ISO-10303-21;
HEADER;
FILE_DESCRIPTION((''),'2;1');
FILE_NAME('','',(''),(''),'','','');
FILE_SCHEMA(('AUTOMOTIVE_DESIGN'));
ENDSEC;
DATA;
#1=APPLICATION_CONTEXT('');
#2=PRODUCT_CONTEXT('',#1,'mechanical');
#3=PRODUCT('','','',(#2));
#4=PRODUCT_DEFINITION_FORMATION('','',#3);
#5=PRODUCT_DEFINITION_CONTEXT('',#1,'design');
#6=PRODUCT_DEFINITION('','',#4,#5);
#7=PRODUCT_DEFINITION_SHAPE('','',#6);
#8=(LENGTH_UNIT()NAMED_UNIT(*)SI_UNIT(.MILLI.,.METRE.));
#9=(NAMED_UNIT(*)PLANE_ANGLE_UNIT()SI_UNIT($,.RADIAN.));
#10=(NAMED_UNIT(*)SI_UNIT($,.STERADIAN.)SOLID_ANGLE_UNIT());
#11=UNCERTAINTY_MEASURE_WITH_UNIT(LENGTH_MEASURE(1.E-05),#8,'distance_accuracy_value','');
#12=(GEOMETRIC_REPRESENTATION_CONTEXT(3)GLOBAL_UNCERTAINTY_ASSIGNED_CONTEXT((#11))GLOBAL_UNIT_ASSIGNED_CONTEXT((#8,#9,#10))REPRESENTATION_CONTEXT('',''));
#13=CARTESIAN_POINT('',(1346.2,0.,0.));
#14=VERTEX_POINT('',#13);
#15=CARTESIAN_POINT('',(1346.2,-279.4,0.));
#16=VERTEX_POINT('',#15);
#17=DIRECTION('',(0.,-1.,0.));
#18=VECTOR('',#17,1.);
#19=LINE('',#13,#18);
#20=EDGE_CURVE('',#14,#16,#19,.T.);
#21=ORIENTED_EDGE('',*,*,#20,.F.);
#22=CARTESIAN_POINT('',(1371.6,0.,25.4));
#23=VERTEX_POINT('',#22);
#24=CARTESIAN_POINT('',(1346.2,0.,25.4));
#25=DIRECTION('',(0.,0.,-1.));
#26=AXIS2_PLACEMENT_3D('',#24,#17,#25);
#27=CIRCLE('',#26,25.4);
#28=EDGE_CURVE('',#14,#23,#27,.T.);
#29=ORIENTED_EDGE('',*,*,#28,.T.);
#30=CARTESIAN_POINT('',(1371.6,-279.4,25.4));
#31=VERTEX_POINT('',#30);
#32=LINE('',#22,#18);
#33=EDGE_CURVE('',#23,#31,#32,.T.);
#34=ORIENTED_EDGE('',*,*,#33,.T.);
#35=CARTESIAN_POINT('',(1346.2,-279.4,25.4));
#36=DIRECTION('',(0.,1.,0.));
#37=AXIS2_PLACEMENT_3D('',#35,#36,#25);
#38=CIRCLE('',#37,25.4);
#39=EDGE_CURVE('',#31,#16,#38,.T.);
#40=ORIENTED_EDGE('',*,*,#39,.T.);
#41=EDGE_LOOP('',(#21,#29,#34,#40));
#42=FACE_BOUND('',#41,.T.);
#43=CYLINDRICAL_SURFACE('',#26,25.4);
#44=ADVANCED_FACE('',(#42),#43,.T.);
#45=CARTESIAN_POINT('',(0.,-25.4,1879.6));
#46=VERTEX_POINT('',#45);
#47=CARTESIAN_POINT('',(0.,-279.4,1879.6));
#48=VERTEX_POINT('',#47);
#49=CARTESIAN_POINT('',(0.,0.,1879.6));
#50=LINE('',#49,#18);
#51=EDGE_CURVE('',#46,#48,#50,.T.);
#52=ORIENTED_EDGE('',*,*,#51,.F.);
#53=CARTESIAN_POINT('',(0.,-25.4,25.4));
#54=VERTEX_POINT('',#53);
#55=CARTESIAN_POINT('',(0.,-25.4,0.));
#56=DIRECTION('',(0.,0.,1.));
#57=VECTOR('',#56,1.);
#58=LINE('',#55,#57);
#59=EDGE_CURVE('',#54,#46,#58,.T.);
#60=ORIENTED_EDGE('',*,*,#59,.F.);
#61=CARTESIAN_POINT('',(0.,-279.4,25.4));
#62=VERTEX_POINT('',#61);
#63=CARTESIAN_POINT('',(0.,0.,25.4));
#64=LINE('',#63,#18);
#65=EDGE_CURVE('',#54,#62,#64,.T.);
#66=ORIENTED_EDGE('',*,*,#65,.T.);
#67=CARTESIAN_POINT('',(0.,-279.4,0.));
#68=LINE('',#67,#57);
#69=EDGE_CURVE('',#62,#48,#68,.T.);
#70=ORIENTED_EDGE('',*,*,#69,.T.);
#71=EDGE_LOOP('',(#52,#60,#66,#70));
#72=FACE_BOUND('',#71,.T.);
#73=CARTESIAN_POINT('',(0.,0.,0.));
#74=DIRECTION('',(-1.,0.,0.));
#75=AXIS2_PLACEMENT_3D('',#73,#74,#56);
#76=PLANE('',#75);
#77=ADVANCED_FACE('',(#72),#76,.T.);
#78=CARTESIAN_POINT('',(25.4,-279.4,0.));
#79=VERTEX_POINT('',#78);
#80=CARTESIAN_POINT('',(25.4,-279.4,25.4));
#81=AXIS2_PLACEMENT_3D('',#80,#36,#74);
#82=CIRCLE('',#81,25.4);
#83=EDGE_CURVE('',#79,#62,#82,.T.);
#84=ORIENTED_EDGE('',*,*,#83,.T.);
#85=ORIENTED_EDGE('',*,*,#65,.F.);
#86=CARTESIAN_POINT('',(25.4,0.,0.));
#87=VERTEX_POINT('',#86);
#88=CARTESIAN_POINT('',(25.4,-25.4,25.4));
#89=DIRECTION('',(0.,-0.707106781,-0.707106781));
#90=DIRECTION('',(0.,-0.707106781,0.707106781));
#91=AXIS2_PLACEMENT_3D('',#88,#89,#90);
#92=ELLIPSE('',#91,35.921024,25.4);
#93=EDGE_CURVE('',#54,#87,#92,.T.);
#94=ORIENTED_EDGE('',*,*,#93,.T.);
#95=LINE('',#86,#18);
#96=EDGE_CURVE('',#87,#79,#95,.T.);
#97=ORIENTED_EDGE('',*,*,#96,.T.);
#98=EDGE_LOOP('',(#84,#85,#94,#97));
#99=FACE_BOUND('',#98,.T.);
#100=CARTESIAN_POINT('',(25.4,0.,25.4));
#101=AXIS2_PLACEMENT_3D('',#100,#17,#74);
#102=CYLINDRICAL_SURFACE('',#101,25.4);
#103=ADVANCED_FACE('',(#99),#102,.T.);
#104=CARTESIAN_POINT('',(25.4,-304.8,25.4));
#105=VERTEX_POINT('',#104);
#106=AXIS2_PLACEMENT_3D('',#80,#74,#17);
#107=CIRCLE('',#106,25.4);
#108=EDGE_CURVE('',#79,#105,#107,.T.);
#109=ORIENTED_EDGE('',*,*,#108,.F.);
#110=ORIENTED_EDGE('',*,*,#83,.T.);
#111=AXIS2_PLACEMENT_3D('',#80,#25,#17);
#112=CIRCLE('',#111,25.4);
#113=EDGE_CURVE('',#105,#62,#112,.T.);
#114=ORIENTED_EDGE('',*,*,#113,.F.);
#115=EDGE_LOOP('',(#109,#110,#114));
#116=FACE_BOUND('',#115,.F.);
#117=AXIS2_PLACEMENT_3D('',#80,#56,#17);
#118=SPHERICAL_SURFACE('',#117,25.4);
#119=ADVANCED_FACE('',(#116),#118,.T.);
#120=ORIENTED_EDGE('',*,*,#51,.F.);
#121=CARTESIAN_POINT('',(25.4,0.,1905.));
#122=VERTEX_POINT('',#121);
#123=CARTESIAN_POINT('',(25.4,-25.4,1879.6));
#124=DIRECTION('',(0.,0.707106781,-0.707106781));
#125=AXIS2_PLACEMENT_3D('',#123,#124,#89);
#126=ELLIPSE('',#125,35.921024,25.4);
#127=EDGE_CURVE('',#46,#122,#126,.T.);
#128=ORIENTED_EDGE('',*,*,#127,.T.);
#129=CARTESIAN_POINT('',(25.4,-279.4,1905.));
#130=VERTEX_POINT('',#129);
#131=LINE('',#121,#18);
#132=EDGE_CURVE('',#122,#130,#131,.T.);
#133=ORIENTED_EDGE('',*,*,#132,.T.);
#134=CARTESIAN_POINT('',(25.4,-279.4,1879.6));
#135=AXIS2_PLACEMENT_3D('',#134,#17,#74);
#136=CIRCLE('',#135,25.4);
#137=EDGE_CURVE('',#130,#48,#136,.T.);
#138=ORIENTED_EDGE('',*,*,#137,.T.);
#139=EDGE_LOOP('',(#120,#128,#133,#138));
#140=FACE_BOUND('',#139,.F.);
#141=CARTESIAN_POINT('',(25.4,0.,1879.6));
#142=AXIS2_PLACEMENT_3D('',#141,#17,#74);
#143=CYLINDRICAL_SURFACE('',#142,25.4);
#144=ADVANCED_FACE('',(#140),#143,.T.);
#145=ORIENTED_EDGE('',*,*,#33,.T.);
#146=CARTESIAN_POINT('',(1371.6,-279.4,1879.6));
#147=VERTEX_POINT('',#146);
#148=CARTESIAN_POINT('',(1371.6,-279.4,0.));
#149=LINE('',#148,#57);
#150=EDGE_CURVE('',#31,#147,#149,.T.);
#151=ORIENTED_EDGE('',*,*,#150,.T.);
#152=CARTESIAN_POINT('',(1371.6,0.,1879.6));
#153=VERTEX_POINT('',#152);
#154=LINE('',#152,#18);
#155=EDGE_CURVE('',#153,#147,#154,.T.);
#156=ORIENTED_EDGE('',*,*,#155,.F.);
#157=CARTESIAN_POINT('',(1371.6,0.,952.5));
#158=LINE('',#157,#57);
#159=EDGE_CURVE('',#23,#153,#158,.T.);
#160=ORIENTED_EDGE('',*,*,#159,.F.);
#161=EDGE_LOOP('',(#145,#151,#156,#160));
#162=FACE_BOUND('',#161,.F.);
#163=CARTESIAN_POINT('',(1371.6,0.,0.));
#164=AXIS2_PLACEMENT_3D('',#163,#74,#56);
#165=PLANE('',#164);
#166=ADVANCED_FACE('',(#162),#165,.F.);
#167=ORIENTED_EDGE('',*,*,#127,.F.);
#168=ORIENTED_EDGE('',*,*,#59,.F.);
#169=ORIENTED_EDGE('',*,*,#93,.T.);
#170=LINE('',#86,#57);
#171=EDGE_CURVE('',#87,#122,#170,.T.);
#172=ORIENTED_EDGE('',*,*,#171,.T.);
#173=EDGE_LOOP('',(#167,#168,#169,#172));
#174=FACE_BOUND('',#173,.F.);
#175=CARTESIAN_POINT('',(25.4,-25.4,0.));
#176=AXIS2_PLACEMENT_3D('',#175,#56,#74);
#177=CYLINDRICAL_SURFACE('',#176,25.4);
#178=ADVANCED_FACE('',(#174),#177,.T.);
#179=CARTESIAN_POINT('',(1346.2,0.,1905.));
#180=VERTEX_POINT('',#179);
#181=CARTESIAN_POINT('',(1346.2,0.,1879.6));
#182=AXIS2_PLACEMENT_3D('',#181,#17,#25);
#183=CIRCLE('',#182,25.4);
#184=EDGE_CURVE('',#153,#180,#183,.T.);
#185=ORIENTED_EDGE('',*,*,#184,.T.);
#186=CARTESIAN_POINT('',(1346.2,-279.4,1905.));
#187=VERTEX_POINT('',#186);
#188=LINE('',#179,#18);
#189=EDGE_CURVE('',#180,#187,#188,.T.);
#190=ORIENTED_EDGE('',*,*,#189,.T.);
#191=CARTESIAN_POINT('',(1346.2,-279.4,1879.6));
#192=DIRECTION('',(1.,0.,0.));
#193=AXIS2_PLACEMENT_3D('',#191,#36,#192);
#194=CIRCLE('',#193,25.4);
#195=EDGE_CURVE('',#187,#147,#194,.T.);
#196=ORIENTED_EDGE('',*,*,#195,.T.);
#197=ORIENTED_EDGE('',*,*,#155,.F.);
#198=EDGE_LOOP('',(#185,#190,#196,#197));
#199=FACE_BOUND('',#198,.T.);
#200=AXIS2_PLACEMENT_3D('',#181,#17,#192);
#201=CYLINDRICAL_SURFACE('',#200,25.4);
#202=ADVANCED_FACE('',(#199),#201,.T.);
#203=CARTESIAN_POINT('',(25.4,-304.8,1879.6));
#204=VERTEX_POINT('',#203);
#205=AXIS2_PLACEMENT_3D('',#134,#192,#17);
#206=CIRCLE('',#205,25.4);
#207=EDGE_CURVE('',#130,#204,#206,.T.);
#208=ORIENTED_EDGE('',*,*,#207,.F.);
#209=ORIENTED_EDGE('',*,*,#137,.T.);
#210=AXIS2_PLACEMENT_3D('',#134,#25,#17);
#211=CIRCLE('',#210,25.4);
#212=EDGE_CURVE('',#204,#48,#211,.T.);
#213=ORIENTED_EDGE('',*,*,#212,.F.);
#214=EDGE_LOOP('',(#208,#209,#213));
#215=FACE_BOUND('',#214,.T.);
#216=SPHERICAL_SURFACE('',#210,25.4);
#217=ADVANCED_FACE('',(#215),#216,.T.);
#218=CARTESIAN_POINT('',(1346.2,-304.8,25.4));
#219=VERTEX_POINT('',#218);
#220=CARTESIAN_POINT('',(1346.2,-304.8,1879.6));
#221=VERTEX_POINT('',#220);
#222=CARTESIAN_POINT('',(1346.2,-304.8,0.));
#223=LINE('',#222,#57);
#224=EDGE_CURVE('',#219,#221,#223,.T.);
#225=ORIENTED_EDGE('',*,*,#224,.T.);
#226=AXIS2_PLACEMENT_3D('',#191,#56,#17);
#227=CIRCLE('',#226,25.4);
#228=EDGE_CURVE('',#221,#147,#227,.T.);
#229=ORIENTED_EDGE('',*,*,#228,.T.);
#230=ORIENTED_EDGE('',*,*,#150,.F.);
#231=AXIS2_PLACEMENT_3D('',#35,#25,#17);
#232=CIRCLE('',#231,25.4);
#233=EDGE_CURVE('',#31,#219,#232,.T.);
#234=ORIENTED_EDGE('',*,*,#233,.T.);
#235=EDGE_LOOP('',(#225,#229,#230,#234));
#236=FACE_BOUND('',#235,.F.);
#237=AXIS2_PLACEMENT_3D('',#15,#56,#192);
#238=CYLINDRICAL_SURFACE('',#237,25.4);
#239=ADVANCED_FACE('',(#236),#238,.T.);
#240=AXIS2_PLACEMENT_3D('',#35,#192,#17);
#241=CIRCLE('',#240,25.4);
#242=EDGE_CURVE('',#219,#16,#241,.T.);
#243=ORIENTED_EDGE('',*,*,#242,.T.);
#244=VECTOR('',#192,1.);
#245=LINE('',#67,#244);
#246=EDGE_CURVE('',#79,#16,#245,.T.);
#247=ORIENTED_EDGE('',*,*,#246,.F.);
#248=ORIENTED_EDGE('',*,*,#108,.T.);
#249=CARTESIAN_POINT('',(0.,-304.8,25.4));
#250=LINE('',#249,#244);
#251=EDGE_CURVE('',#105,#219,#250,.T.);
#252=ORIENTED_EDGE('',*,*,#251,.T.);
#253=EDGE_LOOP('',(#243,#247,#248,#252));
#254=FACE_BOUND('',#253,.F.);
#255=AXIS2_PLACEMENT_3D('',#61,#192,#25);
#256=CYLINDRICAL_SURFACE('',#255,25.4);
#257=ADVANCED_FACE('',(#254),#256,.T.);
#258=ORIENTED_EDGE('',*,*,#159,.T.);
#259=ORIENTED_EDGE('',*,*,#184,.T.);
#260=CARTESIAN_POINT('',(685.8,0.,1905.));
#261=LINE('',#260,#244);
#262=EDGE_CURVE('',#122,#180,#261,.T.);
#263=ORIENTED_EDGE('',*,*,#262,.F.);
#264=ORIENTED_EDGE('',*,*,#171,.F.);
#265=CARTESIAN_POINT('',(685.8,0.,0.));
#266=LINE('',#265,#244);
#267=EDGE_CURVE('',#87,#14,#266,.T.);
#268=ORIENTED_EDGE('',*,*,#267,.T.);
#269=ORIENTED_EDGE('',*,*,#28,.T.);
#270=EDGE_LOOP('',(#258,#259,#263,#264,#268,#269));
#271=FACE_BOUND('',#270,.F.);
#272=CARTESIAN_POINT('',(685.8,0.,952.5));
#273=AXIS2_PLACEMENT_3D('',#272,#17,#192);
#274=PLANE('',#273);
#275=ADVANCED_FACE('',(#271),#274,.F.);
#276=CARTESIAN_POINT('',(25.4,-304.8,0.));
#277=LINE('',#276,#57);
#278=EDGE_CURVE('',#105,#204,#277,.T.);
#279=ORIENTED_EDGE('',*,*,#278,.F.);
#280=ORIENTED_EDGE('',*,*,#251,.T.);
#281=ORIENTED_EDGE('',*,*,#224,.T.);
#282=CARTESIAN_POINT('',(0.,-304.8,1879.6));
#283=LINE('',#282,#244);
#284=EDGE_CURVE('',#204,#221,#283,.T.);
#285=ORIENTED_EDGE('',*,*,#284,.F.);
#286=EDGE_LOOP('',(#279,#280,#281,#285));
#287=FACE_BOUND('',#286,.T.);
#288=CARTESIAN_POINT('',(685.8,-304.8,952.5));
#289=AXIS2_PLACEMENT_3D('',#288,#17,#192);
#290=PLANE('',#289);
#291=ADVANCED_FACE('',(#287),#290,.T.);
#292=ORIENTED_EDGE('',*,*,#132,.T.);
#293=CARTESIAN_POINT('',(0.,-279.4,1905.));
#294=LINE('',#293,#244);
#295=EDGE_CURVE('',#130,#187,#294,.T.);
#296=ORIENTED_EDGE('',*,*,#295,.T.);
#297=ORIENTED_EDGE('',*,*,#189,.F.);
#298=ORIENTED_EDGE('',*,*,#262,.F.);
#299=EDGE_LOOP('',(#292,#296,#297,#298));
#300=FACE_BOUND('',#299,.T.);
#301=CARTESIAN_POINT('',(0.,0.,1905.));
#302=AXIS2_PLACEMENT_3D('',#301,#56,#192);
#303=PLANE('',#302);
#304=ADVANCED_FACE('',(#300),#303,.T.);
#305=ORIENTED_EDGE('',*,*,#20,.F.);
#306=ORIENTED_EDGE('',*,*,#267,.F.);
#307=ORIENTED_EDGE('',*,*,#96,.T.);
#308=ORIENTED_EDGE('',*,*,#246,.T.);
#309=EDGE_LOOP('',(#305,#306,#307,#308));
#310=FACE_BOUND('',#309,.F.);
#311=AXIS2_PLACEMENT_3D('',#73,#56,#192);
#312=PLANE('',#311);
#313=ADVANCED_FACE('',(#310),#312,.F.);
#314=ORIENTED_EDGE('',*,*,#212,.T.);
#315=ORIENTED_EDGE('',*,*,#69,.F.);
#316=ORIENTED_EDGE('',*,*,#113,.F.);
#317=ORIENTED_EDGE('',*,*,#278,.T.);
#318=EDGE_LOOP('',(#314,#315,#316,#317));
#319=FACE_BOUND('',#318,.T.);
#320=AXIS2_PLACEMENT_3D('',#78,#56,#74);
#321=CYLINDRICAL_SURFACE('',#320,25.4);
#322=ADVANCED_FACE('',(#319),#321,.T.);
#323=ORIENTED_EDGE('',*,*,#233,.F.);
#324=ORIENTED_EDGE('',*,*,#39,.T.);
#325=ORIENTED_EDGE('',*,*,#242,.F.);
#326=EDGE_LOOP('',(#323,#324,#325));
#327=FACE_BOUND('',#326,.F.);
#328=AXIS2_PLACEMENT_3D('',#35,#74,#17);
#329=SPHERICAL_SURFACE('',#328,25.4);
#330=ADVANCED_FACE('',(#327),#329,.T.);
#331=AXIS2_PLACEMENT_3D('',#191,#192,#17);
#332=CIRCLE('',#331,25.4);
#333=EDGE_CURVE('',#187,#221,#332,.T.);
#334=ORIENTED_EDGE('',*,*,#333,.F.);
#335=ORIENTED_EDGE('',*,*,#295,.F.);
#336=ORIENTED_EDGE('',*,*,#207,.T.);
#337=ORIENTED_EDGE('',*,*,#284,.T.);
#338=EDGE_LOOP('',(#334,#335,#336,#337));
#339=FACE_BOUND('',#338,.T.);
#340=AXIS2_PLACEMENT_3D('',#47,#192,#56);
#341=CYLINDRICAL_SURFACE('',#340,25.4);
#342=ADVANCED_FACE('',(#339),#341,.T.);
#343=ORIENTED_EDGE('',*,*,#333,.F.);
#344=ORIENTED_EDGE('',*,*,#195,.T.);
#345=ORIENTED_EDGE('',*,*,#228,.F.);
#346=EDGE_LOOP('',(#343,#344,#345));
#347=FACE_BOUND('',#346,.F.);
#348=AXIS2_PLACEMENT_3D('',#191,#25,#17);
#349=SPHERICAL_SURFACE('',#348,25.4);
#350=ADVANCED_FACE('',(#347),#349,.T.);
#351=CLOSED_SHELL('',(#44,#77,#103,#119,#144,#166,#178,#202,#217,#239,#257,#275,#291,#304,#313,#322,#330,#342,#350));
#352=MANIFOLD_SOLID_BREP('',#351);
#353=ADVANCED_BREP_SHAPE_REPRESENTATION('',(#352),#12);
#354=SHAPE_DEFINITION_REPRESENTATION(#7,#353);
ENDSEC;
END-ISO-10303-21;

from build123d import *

# Parameters (mm, degrees)
F0_W     = 1371.6
F0_H     = 1905
F1_DEPTH = 304.8
F2_R     = 25.4


with BuildPart() as f1:
    # F0 (on Front) → F1 (new body)
    with BuildSketch(Plane.XZ):
        with Locations((685.8, 952.5)):
            Rectangle(F0_W, F0_H)
    extrude(amount=F1_DEPTH)

    # F2
    f2_edges = [f1.edges().sort_by_distance(p)[0] for p in [
        (0, -304.8, 952.5),
        (685.8, -304.8, 0),
        (1371.6, -304.8, 952.5),
        (685.8, -304.8, 1905),
        (1371.6, -152.4, 0),
        (0, -152.4, 0),
        (0, -152.4, 1905),
        (0, 0, 952.5),
        (1371.6, -152.4, 1905),
    ]]
    fillet(f2_edges, radius=F2_R)


solid = f1.part
